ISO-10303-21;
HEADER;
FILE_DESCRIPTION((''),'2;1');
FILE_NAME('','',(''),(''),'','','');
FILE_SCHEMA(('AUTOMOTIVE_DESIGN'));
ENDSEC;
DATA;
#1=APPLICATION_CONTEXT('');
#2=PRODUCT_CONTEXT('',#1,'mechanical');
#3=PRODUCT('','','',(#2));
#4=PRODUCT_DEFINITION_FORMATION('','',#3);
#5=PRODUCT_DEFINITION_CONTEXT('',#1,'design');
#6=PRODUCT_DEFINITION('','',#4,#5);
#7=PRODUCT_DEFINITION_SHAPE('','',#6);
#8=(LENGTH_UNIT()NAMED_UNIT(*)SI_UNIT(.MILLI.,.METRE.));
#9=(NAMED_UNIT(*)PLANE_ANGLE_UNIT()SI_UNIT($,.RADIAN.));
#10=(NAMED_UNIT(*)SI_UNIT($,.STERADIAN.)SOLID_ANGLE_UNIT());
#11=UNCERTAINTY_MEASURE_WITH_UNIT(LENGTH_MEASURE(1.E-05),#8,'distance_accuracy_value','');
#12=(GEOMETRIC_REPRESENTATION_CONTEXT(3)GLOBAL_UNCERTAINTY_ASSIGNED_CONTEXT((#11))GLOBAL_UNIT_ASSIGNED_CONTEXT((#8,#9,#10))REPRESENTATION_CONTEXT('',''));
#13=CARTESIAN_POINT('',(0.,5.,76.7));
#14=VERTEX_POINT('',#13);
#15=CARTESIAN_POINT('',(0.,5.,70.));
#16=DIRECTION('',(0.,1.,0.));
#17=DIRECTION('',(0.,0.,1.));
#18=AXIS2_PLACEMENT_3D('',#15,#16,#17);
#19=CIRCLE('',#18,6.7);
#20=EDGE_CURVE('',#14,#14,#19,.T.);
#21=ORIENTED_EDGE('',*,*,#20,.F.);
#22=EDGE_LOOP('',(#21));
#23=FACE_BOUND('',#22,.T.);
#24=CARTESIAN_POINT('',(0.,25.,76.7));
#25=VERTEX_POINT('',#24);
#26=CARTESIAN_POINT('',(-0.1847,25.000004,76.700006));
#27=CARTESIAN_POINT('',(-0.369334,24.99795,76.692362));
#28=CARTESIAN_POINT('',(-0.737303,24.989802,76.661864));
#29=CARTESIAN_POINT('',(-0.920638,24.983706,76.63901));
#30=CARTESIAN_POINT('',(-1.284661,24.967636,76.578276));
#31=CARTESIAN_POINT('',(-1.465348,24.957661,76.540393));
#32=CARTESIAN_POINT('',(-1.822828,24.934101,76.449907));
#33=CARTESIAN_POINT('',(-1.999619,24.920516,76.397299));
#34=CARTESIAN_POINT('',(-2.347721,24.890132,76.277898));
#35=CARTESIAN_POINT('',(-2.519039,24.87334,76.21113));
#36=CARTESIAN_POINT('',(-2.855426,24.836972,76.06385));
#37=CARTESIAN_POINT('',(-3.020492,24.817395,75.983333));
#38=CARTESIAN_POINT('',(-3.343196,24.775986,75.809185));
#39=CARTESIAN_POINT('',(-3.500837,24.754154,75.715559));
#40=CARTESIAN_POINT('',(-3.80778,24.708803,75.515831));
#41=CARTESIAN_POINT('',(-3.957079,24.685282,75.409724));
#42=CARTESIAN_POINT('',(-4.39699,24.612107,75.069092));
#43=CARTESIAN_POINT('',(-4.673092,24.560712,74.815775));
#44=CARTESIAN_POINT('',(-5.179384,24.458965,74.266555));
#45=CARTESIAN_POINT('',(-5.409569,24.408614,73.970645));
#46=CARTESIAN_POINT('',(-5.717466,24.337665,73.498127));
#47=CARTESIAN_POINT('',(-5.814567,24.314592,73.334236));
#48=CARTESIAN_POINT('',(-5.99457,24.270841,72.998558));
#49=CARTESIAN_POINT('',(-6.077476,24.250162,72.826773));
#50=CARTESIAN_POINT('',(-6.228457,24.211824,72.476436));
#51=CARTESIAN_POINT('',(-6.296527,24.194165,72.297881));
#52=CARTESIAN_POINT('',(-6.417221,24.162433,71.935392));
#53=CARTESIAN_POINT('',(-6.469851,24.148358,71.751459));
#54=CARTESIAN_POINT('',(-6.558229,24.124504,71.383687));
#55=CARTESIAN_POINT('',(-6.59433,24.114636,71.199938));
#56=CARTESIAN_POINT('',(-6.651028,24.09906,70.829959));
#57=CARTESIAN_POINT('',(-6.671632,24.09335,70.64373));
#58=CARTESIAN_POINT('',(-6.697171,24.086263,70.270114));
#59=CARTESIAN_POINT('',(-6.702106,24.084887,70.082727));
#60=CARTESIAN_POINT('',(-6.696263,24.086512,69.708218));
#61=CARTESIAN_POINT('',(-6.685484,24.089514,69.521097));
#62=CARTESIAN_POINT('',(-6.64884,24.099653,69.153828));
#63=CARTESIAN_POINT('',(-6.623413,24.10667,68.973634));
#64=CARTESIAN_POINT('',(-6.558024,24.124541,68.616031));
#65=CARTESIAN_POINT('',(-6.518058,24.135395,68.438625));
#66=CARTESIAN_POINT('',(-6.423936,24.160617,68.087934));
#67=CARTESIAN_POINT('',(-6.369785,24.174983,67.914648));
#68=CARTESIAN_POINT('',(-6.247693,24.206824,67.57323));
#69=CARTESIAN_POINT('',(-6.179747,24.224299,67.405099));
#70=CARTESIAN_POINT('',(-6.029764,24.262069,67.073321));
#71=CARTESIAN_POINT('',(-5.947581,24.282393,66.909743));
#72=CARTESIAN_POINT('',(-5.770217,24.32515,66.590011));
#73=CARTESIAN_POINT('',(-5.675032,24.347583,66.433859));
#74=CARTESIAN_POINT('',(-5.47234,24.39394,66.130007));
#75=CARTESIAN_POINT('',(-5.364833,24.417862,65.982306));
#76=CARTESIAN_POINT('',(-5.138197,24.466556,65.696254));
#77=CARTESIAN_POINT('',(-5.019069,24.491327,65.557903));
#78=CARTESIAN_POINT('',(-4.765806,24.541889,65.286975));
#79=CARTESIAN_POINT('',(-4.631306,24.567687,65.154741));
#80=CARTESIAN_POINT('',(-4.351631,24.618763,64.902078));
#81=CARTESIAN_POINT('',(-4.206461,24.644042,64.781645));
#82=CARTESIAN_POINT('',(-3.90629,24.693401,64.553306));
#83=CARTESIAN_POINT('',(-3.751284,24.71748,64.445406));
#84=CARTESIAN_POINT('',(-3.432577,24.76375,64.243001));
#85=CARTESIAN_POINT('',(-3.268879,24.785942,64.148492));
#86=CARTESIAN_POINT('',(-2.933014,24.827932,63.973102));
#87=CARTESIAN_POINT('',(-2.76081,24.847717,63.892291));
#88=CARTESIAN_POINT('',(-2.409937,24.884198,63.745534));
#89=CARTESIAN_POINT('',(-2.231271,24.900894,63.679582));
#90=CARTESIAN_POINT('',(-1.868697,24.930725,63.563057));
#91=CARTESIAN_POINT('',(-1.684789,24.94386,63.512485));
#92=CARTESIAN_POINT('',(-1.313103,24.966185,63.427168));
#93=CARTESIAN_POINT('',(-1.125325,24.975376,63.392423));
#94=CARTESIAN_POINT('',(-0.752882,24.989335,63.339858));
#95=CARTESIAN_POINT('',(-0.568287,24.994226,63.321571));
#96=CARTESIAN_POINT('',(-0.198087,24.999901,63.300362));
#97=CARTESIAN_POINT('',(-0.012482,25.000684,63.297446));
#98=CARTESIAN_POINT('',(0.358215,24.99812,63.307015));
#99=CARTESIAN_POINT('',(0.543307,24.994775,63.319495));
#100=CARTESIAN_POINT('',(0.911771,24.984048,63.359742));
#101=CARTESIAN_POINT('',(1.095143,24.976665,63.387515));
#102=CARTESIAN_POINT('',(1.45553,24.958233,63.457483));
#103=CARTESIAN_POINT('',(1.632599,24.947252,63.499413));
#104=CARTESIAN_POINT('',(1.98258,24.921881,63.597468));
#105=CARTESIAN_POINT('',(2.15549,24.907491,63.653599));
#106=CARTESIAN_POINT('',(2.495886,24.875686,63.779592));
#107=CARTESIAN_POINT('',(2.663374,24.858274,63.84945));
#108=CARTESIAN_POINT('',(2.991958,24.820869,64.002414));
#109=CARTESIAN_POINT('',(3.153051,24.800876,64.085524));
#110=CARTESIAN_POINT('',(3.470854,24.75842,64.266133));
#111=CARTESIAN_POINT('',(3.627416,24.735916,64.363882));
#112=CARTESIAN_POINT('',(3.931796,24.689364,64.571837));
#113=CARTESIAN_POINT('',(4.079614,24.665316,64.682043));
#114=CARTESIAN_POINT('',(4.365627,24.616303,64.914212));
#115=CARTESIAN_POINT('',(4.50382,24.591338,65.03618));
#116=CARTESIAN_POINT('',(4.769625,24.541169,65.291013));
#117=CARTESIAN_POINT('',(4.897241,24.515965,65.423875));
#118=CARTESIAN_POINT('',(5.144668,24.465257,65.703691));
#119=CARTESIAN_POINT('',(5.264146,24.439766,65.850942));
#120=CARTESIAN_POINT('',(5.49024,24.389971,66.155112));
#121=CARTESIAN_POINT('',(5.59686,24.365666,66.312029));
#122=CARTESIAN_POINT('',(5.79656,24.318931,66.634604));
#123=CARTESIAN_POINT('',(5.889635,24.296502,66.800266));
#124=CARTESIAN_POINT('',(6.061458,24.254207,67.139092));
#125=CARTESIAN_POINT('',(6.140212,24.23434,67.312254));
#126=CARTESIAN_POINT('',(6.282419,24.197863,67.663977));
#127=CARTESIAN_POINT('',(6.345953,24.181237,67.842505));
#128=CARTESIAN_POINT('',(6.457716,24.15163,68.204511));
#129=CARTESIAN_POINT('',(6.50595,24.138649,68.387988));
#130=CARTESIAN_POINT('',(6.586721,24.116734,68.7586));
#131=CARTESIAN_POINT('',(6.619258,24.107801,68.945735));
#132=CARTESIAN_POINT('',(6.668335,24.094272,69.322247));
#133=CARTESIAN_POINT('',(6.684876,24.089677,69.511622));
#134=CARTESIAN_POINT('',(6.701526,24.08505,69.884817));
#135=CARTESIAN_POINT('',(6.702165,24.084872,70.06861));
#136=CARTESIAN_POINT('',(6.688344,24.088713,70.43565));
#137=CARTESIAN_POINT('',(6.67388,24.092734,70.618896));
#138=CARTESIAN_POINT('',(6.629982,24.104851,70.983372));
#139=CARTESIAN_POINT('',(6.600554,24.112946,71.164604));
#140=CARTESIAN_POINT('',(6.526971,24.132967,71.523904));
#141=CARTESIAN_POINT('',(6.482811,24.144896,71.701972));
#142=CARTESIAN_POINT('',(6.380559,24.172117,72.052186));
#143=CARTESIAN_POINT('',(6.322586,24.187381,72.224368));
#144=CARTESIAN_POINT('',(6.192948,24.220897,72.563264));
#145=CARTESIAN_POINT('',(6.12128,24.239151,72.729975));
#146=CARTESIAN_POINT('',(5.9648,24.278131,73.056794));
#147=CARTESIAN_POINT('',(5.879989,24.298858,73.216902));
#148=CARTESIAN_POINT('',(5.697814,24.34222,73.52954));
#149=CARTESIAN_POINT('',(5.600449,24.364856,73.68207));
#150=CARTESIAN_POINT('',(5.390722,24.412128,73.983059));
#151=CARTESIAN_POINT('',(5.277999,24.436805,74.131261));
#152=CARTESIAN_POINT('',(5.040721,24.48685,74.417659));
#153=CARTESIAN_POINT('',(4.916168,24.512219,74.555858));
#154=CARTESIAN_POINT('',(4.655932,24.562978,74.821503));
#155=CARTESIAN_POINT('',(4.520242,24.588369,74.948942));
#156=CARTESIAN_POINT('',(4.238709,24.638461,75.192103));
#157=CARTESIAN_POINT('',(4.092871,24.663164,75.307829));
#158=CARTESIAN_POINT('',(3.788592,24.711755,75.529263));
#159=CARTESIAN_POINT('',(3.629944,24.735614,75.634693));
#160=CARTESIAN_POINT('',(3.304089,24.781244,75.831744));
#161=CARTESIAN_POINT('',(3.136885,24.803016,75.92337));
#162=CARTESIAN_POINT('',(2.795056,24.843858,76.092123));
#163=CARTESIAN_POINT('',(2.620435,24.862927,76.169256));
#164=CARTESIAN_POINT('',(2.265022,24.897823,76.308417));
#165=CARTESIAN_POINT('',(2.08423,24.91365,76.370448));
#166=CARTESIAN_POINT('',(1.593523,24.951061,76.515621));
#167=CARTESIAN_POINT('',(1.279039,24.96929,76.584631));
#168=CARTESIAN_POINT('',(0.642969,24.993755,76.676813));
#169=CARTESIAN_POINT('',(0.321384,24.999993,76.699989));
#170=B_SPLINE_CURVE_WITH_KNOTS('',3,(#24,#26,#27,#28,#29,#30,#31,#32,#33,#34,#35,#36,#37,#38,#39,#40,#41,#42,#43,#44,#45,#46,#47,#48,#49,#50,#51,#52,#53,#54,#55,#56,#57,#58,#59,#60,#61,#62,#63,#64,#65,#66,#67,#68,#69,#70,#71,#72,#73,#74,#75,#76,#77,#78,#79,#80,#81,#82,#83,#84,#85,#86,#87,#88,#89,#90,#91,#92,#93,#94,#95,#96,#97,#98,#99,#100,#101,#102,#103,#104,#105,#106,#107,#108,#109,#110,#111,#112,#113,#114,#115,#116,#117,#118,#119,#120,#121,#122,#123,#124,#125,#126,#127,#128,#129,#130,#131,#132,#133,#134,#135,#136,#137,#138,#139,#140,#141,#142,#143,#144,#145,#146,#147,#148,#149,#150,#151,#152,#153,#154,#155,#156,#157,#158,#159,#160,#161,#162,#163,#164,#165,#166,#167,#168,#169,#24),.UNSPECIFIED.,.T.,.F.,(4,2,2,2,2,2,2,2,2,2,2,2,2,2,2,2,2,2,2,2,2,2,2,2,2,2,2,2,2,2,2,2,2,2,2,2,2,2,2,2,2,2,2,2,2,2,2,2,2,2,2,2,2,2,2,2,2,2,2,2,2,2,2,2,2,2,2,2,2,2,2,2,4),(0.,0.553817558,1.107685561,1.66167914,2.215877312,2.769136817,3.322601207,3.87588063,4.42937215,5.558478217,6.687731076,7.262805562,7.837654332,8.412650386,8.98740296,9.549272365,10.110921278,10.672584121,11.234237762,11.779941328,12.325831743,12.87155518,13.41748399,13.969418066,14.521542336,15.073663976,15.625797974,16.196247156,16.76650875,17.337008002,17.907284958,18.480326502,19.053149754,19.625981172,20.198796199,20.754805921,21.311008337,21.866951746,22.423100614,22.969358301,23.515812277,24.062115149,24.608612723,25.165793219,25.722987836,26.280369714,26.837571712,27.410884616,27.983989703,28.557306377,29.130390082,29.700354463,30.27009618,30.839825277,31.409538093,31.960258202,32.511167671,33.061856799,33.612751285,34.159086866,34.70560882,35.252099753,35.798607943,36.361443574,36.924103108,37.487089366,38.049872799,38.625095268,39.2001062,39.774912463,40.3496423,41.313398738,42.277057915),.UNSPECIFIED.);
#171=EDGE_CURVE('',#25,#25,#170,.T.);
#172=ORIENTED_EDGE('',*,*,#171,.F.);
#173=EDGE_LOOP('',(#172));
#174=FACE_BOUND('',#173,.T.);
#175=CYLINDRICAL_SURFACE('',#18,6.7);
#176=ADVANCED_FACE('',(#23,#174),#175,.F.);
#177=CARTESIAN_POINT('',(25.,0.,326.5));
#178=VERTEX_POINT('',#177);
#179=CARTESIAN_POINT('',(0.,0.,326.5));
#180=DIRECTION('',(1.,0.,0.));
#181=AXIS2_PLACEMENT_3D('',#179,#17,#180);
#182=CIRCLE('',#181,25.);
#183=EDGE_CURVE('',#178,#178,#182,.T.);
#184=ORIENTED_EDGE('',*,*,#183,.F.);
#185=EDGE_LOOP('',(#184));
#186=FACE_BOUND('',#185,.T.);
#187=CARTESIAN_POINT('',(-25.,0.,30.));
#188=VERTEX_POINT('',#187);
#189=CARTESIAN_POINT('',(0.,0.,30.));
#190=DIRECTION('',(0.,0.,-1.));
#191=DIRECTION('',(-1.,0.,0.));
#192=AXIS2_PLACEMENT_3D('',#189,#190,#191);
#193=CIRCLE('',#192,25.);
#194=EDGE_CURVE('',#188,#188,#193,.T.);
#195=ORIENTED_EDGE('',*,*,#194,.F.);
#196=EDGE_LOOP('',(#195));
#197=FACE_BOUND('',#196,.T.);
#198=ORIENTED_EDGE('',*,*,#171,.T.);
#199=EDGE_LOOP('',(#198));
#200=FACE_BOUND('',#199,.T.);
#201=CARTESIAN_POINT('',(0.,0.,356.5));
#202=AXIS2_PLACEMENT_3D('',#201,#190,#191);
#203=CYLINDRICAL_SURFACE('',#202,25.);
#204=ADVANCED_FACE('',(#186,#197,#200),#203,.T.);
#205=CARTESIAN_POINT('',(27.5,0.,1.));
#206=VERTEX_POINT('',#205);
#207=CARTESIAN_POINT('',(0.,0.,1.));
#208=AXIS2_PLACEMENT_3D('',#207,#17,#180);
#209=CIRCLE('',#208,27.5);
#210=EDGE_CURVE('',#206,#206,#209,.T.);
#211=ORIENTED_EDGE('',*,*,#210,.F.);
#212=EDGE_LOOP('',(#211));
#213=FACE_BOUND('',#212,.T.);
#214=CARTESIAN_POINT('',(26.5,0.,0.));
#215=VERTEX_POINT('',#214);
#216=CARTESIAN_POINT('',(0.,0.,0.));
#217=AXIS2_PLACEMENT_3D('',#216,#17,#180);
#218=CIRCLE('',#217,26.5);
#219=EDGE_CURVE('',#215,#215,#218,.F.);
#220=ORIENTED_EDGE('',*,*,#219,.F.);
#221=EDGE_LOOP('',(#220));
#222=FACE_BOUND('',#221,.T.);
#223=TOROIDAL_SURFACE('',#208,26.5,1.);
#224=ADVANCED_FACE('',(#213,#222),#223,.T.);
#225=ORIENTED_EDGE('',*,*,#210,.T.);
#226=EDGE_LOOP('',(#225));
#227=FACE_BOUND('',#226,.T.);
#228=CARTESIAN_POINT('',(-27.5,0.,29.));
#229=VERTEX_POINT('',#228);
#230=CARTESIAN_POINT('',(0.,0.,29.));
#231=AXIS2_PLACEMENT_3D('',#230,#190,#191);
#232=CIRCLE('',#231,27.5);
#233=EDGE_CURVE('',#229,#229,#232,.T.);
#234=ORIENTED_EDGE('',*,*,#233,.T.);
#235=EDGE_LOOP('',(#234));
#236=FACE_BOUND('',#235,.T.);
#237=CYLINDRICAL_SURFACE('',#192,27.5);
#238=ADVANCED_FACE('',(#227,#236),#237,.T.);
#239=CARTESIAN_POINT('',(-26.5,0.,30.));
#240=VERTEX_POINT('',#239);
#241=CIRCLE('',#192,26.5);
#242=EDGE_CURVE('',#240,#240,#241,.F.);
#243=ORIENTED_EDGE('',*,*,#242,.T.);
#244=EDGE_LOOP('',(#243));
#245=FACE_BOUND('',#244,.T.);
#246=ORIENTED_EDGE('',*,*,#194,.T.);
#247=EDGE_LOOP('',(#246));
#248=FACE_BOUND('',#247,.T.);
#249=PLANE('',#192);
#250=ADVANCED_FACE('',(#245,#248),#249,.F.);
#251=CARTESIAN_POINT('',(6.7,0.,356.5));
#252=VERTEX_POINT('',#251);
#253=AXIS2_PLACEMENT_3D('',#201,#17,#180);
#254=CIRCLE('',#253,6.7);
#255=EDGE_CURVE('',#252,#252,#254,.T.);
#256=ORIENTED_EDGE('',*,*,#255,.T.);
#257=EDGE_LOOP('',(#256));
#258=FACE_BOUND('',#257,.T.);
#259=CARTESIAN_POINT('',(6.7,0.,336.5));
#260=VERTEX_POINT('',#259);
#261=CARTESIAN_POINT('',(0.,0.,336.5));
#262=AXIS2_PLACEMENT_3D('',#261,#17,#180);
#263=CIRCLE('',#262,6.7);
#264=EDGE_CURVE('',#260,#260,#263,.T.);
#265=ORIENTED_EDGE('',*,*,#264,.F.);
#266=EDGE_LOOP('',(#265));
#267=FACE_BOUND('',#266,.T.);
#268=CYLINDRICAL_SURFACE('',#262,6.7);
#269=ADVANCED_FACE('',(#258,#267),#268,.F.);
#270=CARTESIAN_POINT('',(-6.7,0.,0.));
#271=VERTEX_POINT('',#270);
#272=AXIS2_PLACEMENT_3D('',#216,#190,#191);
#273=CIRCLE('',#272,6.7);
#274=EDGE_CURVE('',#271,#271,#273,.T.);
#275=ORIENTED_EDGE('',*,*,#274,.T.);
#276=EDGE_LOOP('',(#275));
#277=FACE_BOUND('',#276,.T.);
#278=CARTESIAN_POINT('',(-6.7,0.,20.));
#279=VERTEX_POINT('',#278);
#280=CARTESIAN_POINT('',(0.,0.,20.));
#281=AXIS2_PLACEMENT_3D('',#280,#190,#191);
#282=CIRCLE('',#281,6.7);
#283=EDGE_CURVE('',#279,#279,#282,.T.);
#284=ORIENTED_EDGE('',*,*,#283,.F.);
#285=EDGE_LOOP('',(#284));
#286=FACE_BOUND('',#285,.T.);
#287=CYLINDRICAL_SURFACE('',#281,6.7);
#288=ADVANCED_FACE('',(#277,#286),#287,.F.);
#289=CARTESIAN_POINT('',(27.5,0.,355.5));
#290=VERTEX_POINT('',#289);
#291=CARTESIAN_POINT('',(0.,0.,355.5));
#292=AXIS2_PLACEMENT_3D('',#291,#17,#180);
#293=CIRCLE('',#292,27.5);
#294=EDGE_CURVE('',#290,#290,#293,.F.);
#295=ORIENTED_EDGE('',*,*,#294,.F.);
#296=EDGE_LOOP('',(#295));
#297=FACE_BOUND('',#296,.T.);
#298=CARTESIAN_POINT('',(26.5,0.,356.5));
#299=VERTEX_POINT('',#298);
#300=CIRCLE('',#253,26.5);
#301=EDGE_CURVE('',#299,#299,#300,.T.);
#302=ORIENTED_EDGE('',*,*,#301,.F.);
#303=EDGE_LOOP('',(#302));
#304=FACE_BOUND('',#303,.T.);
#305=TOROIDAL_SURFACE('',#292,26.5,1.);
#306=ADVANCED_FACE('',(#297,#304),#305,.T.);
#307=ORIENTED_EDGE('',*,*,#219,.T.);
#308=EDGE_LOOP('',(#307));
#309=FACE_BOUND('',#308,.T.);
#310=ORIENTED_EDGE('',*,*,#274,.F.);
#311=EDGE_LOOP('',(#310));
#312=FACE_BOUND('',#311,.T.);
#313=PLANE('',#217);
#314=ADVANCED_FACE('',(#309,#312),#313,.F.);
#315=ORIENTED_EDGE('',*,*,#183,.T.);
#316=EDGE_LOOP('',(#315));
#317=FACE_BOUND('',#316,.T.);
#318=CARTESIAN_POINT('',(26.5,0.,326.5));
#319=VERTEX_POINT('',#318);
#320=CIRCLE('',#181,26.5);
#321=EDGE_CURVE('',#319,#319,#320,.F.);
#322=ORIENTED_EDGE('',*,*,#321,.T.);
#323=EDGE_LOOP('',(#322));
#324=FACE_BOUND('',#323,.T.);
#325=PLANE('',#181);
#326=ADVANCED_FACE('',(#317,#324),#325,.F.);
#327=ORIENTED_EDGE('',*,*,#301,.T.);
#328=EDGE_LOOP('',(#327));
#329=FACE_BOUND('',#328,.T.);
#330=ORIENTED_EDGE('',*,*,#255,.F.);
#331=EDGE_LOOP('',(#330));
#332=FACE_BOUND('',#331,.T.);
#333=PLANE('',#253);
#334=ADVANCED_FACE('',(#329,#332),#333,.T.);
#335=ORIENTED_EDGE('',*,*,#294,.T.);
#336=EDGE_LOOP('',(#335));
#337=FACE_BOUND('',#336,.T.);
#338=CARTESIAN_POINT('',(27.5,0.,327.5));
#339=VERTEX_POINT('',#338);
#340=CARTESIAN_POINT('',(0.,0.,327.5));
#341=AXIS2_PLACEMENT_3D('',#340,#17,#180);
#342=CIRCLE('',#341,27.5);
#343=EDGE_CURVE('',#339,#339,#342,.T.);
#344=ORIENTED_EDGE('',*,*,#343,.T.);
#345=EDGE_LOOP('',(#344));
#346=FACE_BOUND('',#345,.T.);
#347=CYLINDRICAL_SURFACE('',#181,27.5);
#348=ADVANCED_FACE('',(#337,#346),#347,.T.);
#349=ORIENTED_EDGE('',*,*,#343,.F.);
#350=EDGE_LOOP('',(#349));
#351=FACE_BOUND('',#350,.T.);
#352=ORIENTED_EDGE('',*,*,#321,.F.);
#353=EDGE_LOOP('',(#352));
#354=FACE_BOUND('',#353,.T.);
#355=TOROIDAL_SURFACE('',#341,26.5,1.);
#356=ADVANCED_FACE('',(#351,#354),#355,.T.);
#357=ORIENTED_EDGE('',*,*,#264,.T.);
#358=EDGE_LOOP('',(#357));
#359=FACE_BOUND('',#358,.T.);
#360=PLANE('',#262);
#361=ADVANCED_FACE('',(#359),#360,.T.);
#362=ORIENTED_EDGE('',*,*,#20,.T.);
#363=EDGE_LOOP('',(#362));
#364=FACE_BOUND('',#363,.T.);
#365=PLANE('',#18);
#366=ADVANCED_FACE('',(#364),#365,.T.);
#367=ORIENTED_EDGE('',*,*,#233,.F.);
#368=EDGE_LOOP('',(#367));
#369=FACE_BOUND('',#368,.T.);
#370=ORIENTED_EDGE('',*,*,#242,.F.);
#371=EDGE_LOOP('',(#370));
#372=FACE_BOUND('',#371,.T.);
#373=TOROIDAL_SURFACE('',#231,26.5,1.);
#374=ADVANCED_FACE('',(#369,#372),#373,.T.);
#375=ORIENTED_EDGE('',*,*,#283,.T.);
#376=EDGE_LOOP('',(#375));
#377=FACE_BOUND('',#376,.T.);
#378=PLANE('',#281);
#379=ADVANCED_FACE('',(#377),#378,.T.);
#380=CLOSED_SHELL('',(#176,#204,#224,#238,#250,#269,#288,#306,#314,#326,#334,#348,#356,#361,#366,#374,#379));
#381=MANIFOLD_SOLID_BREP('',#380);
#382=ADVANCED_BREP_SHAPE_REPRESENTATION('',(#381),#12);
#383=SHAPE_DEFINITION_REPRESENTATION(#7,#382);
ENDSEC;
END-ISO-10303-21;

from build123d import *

# Parameters (mm, degrees)
SKETCH1_R           = 25
BOSS_EXTRUDE1_DEPTH = 356.5
SKETCH2_R           = 27.5
BOSS_EXTRUDE2_DEPTH = 30
SKETCH3_R           = 27.5
BOSS_EXTRUDE3_DEPTH = 30
SKETCH4_R           = 6.7
CUT_EXTRUDE1_DEPTH  = 20
SKETCH5_R           = 6.7
CUT_EXTRUDE2_DEPTH  = 20
SKETCH6_R           = 6.7
CUT_EXTRUDE3_DEPTH  = 20
FILLET1_R           = 1


with BuildPart() as part:
    # Sketch1 → Boss-Extrude1 (new body)
    with BuildSketch(Plane(origin=(0, 0, 0), x_dir=(0, 1, 0), z_dir=(0, 0, 1))):
        Circle(SKETCH1_R)
    extrude(amount=BOSS_EXTRUDE1_DEPTH)

    # Sketch2 → Boss-Extrude2 (add)
    with BuildSketch(Plane.XY.offset(356.5)):
        Circle(SKETCH2_R)
    extrude(amount=-BOSS_EXTRUDE2_DEPTH)

    # Sketch3 → Boss-Extrude3 (add)
    with BuildSketch(Plane(origin=(0, 0, 0), x_dir=(-1, 0, 0), z_dir=(0, 0, -1))):
        Circle(SKETCH3_R)
    extrude(amount=-BOSS_EXTRUDE3_DEPTH)

    # Sketch4 → Cut-Extrude1 (cut)
    with BuildSketch(Plane(origin=(0, 0, 0), x_dir=(1, 0, 0), z_dir=(0, 0, -1))):
        Circle(SKETCH4_R)
    extrude(amount=-CUT_EXTRUDE1_DEPTH, mode=Mode.SUBTRACT)

    # Sketch5 → Cut-Extrude2 (cut)
    with BuildSketch(Plane.XY.offset(356.5)):
        Circle(SKETCH5_R)
    extrude(amount=-CUT_EXTRUDE2_DEPTH, mode=Mode.SUBTRACT)

    # Sketch6 → Cut-Extrude3 (cut)
    with BuildSketch(Plane(origin=(0, 25, 0), x_dir=(-1, 0, 0), z_dir=(0, 1, 0))):
        with Locations((0, 70)):
            Circle(SKETCH6_R)
    extrude(amount=-CUT_EXTRUDE3_DEPTH, mode=Mode.SUBTRACT)

    # Fillet1
    fillet1_edges = [part.edges().sort_by_distance(p)[0] for p in [
        (27.5, 0, 30),
        (27.5, 0, 0),
        (-27.5, 0, 326.5),
        (-27.5, 0, 356.5),
    ]]
    fillet(fillet1_edges, radius=FILLET1_R)


solid = part.part
